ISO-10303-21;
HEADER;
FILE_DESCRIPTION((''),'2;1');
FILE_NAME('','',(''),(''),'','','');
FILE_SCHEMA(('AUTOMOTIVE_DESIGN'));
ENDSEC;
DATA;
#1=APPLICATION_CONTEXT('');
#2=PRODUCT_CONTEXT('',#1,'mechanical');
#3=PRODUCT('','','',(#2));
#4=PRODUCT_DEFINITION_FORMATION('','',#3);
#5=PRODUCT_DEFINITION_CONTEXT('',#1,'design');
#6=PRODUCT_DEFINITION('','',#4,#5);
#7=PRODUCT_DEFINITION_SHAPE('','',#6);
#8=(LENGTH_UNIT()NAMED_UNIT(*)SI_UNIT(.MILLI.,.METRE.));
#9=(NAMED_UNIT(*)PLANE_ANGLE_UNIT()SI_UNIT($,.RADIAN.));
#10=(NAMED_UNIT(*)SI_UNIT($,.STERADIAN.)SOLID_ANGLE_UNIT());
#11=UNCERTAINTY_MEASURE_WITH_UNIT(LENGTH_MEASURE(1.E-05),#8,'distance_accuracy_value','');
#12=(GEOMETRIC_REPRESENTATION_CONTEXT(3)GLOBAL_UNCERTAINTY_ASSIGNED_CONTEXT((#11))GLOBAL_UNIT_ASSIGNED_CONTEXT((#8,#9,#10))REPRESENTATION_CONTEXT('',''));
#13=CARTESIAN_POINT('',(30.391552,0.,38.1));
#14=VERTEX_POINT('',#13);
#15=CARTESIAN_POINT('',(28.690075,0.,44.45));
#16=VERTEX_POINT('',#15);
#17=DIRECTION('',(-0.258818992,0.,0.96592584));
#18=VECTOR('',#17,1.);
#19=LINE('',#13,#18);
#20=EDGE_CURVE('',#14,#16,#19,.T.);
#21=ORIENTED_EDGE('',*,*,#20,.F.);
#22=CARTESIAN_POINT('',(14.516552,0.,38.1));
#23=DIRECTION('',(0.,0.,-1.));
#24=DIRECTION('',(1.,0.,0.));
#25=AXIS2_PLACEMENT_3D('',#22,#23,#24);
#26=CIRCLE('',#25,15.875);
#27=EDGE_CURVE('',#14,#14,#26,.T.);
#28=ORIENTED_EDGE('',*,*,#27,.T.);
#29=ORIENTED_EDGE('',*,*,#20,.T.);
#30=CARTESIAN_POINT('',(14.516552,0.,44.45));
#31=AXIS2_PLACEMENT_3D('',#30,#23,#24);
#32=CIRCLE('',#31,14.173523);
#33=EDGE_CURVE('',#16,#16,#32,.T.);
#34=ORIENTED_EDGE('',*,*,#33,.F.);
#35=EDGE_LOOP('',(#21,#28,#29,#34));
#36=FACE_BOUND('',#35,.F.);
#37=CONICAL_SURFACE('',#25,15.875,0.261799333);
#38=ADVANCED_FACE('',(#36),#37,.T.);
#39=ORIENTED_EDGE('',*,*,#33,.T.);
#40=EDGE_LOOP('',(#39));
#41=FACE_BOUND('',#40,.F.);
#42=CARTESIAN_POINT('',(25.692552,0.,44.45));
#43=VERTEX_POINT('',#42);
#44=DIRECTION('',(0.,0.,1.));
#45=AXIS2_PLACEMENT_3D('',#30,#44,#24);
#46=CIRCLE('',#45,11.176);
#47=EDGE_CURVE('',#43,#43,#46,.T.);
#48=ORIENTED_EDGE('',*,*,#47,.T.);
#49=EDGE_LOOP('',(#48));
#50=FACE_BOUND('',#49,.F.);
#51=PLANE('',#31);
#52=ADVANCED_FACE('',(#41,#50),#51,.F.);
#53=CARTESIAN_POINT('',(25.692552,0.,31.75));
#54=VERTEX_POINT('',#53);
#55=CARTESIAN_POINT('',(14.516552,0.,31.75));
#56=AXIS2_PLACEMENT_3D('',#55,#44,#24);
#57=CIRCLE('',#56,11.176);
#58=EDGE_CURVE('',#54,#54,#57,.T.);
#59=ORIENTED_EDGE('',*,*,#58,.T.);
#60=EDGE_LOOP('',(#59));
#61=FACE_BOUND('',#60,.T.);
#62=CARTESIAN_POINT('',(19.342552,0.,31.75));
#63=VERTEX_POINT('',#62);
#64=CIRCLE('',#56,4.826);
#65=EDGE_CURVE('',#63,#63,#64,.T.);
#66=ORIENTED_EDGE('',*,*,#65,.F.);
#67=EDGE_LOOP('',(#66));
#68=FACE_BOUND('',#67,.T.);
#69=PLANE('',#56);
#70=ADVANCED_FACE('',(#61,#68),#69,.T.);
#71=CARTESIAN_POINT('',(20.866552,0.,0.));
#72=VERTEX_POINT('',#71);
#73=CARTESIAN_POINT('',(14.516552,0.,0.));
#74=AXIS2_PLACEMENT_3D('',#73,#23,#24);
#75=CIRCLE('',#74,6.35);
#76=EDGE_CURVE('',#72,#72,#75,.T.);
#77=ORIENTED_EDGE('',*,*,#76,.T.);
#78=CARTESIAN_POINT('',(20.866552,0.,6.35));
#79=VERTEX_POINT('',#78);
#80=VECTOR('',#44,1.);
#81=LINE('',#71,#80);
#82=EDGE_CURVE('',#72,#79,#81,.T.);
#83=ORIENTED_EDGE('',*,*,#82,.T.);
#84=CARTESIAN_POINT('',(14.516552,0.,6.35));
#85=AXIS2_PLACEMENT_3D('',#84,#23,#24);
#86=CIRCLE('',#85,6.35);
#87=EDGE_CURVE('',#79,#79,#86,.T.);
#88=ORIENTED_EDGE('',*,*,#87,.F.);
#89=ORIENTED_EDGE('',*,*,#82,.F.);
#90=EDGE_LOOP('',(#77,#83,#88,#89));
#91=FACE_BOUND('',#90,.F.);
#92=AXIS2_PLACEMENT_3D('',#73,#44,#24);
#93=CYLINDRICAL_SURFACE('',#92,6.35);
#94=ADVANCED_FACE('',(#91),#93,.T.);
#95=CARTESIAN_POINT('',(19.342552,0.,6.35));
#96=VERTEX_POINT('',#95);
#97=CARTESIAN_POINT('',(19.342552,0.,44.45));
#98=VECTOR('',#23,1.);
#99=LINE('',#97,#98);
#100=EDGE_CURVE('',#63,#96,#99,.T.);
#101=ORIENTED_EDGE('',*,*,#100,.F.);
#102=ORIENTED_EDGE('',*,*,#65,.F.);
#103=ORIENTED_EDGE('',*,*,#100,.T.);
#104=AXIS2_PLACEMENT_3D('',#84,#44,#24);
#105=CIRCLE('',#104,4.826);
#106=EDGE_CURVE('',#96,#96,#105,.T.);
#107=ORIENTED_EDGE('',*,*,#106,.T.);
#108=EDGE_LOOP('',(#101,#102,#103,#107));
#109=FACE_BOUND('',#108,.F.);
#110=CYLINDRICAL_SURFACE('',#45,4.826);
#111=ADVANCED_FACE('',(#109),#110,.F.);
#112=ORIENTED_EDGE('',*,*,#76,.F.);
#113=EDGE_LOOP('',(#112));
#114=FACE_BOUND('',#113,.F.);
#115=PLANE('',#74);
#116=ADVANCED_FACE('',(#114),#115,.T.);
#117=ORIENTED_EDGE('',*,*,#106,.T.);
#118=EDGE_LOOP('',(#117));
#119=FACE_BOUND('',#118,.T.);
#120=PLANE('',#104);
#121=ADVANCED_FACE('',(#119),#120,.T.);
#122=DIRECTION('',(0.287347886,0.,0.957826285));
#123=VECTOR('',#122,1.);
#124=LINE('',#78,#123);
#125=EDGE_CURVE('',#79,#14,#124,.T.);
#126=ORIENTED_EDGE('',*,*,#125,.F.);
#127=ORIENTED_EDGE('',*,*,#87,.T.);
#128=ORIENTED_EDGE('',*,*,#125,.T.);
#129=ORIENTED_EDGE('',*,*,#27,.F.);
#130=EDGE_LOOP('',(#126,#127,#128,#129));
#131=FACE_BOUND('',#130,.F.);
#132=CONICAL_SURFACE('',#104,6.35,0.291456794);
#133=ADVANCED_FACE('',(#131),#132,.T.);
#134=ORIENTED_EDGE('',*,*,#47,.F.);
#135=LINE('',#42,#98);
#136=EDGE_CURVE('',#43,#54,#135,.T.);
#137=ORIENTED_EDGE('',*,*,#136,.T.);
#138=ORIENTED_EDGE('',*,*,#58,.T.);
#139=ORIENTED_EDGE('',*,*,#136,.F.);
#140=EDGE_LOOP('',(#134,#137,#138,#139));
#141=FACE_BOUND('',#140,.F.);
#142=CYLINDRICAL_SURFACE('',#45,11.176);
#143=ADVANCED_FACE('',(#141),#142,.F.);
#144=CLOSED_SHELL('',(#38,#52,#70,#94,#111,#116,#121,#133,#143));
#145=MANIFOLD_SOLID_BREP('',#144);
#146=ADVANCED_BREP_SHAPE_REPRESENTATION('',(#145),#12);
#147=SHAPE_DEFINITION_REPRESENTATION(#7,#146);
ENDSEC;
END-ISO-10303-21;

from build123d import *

# Parameters (mm, degrees)
F2_R     = 4.826
F3_DEPTH = 38.1
F2_R_2   = 11.176
F4_DEPTH = 12.7


with BuildPart() as f1:
    # F0 (on Front) → F1 (revolve)
    with BuildSketch(Plane.XZ):
        Polygon((14.516552, 44.45), (14.516552, 0), (20.866552, 0), (20.866552, 6.35), (30.391552, 38.1), (28.690075, 44.45), align=None)
    revolve(axis=Axis((14.516552, 0, 22.225), (0, 0, -1)))

    # F2 (on face) → F3 (cut)
    with BuildSketch(Plane.XY.offset(44.45)):
        with Locations((14.516552, 0)):
            Circle(F2_R)
    extrude(amount=-F3_DEPTH, mode=Mode.SUBTRACT)

    # F2 (on face) → F4 (cut)
    with BuildSketch(Plane.XY.offset(44.45)):
        with Locations((14.516552, 0)):
            Circle(F2_R_2)
        with Locations((14.516552, 0)):
            Circle(F2_R, mode=Mode.SUBTRACT)
    extrude(amount=-F4_DEPTH, mode=Mode.SUBTRACT)


solid = f1.part
